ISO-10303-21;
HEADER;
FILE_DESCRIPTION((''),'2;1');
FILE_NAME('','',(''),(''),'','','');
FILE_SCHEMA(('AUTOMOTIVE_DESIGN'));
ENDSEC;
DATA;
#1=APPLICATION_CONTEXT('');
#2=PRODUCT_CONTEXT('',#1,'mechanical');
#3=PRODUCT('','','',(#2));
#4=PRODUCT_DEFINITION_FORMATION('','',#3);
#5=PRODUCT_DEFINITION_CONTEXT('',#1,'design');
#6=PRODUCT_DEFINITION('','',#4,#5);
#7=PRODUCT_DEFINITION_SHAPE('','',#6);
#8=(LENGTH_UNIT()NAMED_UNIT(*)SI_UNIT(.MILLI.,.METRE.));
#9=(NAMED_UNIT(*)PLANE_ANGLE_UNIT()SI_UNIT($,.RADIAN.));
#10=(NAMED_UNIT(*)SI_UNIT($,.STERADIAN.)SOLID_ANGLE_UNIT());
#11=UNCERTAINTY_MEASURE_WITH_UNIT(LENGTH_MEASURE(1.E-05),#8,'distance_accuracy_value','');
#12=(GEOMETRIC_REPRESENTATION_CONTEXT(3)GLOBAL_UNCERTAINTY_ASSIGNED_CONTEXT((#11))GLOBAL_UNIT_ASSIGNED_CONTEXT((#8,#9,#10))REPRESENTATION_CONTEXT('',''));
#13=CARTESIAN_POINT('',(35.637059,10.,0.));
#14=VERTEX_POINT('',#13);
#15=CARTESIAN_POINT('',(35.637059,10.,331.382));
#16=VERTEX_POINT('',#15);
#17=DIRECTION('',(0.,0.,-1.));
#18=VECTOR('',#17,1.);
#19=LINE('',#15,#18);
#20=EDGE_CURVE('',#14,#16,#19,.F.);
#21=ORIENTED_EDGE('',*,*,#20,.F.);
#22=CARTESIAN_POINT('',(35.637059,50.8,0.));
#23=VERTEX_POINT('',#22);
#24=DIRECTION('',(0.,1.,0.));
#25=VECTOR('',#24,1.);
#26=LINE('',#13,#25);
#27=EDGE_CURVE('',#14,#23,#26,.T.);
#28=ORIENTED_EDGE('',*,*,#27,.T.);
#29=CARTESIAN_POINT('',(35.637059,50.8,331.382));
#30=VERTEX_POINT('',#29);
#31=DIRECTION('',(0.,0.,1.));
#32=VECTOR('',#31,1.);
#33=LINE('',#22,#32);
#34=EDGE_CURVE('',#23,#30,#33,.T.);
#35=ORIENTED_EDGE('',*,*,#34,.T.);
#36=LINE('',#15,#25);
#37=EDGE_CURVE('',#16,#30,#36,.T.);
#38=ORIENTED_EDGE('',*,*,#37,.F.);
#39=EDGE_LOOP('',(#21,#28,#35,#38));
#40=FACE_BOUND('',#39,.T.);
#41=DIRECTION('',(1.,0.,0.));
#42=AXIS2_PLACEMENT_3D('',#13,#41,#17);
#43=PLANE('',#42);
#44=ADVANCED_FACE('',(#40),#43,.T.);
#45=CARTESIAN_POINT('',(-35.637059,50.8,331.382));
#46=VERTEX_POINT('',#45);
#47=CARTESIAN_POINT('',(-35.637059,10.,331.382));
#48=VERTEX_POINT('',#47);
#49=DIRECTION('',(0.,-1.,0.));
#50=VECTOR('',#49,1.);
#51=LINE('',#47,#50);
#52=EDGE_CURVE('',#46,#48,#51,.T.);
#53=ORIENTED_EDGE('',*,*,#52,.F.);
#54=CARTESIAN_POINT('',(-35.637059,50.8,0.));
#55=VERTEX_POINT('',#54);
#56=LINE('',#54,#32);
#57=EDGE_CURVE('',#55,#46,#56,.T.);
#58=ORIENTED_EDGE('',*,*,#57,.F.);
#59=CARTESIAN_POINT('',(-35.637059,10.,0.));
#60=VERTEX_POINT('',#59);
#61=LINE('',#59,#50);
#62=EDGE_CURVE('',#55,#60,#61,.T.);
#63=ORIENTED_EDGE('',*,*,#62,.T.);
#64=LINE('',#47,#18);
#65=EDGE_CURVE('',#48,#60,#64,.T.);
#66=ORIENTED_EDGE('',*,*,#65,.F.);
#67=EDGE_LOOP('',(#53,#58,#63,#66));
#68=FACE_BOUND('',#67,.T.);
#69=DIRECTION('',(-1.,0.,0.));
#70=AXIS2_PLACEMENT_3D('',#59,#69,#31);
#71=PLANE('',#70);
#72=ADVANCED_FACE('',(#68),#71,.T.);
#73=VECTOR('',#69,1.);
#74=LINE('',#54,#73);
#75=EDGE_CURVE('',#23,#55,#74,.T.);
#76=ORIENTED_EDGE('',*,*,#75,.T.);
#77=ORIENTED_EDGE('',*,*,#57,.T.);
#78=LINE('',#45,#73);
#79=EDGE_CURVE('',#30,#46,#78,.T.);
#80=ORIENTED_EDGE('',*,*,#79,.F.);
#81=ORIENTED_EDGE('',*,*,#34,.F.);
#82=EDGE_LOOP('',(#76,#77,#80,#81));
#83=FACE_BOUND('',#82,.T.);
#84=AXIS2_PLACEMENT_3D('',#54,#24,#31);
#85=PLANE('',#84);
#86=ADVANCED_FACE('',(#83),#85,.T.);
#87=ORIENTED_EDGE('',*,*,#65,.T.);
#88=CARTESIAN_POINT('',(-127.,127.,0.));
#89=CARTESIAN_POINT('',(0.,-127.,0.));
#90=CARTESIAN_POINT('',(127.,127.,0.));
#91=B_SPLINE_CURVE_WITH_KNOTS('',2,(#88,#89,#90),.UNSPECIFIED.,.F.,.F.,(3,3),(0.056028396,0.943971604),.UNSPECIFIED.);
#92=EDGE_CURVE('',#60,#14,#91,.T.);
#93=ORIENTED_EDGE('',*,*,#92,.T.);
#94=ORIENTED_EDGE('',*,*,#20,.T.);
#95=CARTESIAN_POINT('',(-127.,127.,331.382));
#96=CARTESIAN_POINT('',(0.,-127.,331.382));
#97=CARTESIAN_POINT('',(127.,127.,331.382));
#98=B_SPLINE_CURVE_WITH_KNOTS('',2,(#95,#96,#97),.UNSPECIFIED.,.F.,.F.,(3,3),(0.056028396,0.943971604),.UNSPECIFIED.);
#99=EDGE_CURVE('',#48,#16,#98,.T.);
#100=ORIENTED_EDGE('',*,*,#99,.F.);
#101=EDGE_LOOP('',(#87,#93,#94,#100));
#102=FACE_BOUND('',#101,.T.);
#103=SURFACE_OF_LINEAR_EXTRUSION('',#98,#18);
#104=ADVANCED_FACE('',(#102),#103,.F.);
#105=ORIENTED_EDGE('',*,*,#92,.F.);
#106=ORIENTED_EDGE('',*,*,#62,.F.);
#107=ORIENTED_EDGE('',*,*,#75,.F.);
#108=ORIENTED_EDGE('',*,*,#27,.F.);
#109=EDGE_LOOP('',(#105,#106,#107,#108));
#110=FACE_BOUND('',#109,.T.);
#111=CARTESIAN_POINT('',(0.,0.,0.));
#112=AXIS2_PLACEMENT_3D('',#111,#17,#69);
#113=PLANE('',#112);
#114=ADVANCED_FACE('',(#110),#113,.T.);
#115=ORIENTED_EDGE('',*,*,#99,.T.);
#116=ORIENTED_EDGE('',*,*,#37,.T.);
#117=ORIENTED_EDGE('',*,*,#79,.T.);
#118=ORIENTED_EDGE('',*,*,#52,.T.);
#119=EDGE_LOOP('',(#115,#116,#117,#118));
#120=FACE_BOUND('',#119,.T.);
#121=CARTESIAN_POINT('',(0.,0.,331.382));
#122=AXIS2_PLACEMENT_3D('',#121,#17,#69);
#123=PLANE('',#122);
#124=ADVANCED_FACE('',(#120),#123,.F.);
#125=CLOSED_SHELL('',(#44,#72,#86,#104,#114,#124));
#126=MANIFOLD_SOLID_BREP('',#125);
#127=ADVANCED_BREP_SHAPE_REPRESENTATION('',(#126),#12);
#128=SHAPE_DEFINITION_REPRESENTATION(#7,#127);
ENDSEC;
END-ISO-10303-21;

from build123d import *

# Parameters (mm, degrees)
BOSS_EXTRUDE2_DEPTH = 331.382
SKETCH5_W           = 260
SKETCH5_H           = 120
CUT_EXTRUDE4_DEPTH  = 332.3820001
SKETCH6_W           = 71.274118724
SKETCH6_H           = 40.8
BOSS_EXTRUDE3_DEPTH = 331.382


with BuildPart() as part:
    # Sketch2 → Boss-Extrude2 (new body)
    with BuildSketch(Plane.XY):
        with BuildLine():
            Line((-127, 127), (127, 127))
            add(Edge.make_bspline(
                [(-127, 127), (0, -127), (127, 127)],
                knots=[0.056028396, 0.056028396, 0.056028396, 0.943971604, 0.943971604, 0.943971604], degree=2))
        make_face()
    extrude(amount=BOSS_EXTRUDE2_DEPTH)

    # Sketch5 → Cut-Extrude4 (cut, through all)
    with BuildSketch(Plane.XY.offset(331.382)):
        with Locations((0, 70)):
            Rectangle(SKETCH5_W, SKETCH5_H)
    extrude(amount=-CUT_EXTRUDE4_DEPTH, mode=Mode.SUBTRACT)

    # Sketch6 → Boss-Extrude3 (add)
    with BuildSketch(Plane.XY.offset(331.382)):
        with Locations((0, 30.4)):
            Rectangle(SKETCH6_W, SKETCH6_H)
    extrude(amount=-BOSS_EXTRUDE3_DEPTH)


solid = part.part
